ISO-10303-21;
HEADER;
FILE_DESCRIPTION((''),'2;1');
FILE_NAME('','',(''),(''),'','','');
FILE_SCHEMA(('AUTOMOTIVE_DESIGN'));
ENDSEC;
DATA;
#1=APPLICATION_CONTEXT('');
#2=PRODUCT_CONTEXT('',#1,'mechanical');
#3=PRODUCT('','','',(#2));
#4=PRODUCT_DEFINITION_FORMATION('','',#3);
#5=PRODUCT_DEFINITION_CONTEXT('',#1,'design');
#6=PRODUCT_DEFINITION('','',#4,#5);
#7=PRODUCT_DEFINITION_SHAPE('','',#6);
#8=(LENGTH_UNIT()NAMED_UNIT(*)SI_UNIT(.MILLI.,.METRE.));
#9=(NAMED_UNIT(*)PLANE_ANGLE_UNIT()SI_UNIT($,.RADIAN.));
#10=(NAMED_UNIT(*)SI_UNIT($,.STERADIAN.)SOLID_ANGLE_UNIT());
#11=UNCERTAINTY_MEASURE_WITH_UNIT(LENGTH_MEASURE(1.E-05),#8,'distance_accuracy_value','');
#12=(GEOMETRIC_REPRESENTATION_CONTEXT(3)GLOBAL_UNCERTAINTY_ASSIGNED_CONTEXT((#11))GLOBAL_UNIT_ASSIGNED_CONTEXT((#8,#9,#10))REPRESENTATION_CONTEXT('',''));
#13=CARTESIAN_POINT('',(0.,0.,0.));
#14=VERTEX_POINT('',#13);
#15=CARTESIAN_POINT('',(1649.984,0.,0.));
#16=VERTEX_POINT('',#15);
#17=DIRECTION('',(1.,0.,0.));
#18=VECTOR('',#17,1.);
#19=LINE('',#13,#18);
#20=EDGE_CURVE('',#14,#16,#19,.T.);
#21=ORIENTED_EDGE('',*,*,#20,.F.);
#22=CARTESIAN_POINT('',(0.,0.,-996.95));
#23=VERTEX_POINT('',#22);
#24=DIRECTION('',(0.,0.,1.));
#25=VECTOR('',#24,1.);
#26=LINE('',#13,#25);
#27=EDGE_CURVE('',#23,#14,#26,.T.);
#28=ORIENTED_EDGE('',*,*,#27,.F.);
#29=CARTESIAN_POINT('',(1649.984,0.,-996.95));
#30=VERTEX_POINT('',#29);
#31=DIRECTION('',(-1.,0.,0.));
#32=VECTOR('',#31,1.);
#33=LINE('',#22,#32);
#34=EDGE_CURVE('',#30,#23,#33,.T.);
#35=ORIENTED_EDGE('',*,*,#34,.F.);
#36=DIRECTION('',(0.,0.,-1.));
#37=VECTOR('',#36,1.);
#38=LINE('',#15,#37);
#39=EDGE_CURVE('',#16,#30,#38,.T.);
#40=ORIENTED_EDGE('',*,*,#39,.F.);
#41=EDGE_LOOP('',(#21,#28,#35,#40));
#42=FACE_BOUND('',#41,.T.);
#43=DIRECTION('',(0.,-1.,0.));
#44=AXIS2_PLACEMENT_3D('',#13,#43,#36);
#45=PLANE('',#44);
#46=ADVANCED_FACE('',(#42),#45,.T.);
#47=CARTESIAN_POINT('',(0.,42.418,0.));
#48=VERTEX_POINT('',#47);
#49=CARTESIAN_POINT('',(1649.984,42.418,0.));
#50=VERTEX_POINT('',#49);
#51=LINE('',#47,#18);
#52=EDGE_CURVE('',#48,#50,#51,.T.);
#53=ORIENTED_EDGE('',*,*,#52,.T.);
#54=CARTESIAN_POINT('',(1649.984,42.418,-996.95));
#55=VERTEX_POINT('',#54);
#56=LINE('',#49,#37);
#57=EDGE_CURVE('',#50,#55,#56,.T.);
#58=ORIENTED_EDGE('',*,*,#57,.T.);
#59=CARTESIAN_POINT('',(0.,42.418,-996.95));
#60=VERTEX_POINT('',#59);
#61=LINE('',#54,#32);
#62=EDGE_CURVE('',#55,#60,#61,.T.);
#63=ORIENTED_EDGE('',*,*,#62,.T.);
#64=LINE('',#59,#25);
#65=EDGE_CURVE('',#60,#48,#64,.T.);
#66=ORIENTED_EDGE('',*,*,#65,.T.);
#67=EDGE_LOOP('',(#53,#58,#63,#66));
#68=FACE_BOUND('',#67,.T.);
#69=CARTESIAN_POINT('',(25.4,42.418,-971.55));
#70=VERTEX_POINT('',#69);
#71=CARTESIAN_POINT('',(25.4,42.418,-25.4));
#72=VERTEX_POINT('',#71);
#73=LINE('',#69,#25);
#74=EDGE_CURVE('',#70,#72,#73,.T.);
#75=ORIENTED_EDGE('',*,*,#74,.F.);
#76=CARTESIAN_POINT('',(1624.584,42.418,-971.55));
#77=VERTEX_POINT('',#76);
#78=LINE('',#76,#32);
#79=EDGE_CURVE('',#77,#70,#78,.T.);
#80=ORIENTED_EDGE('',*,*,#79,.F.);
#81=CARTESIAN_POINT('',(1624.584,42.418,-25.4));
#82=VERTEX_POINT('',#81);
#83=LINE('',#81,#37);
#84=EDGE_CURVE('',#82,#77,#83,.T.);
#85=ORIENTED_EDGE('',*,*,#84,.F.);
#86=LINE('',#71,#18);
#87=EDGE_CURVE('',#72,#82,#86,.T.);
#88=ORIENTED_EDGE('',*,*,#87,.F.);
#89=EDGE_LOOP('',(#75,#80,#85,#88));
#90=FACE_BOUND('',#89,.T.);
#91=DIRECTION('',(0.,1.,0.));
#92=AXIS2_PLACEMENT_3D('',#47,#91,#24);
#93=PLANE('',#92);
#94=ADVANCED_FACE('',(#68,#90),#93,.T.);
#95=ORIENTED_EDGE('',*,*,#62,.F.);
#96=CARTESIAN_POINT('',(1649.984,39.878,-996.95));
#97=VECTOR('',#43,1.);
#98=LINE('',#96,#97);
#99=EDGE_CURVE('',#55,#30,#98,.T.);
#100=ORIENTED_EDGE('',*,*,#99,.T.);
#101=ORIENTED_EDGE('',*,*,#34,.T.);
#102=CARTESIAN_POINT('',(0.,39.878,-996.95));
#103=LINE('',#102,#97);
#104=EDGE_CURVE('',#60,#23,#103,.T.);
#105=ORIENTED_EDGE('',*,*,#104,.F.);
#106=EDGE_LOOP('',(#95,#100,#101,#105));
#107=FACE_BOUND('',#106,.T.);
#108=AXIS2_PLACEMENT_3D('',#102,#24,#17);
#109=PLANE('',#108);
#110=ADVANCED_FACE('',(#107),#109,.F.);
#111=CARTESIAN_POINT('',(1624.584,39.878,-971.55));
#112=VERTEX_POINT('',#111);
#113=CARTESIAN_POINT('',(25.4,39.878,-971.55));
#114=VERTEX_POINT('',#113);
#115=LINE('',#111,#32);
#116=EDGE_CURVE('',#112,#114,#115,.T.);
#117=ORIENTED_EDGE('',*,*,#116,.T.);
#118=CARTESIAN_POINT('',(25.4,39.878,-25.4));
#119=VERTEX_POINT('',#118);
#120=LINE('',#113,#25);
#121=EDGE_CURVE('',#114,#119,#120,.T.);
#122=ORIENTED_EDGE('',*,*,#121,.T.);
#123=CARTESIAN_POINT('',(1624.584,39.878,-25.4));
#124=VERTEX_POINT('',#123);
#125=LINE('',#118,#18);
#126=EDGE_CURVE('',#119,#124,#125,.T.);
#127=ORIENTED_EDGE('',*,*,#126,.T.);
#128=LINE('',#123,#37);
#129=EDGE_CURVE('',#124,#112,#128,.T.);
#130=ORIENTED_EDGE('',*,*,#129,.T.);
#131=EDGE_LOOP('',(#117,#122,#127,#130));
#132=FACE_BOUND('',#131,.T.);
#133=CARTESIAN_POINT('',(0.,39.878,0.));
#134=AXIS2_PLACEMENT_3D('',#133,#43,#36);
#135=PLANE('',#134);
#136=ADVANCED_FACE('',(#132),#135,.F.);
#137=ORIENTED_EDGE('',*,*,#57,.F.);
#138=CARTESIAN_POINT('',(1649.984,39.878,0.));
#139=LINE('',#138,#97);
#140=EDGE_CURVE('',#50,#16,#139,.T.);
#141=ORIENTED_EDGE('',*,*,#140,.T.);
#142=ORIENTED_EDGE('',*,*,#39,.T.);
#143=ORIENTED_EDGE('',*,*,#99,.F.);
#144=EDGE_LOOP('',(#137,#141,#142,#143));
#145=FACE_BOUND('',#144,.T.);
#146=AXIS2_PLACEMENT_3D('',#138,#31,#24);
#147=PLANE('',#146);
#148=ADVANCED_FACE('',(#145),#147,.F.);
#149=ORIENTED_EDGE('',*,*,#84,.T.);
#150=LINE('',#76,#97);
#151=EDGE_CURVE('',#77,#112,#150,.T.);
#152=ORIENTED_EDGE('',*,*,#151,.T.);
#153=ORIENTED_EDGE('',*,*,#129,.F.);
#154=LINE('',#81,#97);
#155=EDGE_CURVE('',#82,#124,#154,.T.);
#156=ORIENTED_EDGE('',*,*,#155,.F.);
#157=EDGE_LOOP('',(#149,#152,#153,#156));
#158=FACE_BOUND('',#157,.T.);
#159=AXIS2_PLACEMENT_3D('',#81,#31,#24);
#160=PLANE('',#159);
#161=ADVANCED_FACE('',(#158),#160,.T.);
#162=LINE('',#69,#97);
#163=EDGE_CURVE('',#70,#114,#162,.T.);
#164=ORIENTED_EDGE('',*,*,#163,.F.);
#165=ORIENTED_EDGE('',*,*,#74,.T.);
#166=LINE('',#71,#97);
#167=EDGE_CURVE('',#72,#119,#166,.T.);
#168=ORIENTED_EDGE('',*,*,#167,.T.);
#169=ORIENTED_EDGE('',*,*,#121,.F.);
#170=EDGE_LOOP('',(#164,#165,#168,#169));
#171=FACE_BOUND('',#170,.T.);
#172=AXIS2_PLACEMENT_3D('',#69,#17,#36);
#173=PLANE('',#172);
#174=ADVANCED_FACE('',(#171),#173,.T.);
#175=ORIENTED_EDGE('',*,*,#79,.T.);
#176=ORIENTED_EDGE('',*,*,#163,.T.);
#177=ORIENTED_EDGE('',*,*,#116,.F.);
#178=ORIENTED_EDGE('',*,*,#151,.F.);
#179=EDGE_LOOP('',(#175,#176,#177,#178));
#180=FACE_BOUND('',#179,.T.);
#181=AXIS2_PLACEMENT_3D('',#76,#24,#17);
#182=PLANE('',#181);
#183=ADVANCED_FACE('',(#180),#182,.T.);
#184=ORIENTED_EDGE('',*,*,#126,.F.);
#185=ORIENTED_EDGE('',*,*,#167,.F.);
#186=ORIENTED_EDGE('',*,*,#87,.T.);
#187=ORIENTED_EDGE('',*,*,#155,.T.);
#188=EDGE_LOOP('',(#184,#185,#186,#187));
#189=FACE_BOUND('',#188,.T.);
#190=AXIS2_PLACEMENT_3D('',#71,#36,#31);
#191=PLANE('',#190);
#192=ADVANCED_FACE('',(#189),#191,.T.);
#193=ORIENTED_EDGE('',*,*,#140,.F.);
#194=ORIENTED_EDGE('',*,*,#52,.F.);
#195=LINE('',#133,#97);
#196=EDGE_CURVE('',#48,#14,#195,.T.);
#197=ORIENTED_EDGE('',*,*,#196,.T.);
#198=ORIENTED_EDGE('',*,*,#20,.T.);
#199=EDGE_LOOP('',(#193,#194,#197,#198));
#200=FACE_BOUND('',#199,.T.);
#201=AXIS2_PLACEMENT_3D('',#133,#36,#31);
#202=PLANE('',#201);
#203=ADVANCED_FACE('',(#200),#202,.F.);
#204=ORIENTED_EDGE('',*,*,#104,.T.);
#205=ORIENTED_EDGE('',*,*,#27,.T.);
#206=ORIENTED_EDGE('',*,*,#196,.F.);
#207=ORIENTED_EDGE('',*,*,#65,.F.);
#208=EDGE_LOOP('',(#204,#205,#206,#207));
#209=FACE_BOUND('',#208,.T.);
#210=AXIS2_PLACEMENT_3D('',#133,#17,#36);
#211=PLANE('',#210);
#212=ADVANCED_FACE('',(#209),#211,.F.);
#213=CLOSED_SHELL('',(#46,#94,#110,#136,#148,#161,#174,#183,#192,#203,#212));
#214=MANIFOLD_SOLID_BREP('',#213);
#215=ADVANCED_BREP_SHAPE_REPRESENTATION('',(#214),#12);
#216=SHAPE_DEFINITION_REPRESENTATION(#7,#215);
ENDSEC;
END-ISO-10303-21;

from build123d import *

# Parameters (mm, degrees)
SKETCH1_W           = 1649.984
SKETCH1_H           = 996.95
BOSS_EXTRUDE1_DEPTH = 39.878
SKETCH2_W           = 1649.984
SKETCH2_H           = 996.95
SKETCH2_W_2         = 1599.184
SKETCH2_H_2         = 946.15
BOSS_EXTRUDE2_DEPTH = 2.54


with BuildPart() as part:
    # Sketch1 → Boss-Extrude1 (new body)
    with BuildSketch(Plane(origin=(0, 0, 0), x_dir=(1, 0, 0), z_dir=(0, 1, 0))):
        with Locations((824.992, 498.475)):
            Rectangle(SKETCH1_W, SKETCH1_H)
    extrude(amount=BOSS_EXTRUDE1_DEPTH)

    # Sketch2 → Boss-Extrude2 (add)
    with BuildSketch(Plane(origin=(0, 39.878, 0), x_dir=(1, 0, 0), z_dir=(0, 1, 0))):
        with Locations((824.992, 498.475)):
            Rectangle(SKETCH2_W, SKETCH2_H)
        with Locations((824.992, 498.475)):
            Rectangle(SKETCH2_W_2, SKETCH2_H_2, mode=Mode.SUBTRACT)
    extrude(amount=BOSS_EXTRUDE2_DEPTH)


solid = part.part
